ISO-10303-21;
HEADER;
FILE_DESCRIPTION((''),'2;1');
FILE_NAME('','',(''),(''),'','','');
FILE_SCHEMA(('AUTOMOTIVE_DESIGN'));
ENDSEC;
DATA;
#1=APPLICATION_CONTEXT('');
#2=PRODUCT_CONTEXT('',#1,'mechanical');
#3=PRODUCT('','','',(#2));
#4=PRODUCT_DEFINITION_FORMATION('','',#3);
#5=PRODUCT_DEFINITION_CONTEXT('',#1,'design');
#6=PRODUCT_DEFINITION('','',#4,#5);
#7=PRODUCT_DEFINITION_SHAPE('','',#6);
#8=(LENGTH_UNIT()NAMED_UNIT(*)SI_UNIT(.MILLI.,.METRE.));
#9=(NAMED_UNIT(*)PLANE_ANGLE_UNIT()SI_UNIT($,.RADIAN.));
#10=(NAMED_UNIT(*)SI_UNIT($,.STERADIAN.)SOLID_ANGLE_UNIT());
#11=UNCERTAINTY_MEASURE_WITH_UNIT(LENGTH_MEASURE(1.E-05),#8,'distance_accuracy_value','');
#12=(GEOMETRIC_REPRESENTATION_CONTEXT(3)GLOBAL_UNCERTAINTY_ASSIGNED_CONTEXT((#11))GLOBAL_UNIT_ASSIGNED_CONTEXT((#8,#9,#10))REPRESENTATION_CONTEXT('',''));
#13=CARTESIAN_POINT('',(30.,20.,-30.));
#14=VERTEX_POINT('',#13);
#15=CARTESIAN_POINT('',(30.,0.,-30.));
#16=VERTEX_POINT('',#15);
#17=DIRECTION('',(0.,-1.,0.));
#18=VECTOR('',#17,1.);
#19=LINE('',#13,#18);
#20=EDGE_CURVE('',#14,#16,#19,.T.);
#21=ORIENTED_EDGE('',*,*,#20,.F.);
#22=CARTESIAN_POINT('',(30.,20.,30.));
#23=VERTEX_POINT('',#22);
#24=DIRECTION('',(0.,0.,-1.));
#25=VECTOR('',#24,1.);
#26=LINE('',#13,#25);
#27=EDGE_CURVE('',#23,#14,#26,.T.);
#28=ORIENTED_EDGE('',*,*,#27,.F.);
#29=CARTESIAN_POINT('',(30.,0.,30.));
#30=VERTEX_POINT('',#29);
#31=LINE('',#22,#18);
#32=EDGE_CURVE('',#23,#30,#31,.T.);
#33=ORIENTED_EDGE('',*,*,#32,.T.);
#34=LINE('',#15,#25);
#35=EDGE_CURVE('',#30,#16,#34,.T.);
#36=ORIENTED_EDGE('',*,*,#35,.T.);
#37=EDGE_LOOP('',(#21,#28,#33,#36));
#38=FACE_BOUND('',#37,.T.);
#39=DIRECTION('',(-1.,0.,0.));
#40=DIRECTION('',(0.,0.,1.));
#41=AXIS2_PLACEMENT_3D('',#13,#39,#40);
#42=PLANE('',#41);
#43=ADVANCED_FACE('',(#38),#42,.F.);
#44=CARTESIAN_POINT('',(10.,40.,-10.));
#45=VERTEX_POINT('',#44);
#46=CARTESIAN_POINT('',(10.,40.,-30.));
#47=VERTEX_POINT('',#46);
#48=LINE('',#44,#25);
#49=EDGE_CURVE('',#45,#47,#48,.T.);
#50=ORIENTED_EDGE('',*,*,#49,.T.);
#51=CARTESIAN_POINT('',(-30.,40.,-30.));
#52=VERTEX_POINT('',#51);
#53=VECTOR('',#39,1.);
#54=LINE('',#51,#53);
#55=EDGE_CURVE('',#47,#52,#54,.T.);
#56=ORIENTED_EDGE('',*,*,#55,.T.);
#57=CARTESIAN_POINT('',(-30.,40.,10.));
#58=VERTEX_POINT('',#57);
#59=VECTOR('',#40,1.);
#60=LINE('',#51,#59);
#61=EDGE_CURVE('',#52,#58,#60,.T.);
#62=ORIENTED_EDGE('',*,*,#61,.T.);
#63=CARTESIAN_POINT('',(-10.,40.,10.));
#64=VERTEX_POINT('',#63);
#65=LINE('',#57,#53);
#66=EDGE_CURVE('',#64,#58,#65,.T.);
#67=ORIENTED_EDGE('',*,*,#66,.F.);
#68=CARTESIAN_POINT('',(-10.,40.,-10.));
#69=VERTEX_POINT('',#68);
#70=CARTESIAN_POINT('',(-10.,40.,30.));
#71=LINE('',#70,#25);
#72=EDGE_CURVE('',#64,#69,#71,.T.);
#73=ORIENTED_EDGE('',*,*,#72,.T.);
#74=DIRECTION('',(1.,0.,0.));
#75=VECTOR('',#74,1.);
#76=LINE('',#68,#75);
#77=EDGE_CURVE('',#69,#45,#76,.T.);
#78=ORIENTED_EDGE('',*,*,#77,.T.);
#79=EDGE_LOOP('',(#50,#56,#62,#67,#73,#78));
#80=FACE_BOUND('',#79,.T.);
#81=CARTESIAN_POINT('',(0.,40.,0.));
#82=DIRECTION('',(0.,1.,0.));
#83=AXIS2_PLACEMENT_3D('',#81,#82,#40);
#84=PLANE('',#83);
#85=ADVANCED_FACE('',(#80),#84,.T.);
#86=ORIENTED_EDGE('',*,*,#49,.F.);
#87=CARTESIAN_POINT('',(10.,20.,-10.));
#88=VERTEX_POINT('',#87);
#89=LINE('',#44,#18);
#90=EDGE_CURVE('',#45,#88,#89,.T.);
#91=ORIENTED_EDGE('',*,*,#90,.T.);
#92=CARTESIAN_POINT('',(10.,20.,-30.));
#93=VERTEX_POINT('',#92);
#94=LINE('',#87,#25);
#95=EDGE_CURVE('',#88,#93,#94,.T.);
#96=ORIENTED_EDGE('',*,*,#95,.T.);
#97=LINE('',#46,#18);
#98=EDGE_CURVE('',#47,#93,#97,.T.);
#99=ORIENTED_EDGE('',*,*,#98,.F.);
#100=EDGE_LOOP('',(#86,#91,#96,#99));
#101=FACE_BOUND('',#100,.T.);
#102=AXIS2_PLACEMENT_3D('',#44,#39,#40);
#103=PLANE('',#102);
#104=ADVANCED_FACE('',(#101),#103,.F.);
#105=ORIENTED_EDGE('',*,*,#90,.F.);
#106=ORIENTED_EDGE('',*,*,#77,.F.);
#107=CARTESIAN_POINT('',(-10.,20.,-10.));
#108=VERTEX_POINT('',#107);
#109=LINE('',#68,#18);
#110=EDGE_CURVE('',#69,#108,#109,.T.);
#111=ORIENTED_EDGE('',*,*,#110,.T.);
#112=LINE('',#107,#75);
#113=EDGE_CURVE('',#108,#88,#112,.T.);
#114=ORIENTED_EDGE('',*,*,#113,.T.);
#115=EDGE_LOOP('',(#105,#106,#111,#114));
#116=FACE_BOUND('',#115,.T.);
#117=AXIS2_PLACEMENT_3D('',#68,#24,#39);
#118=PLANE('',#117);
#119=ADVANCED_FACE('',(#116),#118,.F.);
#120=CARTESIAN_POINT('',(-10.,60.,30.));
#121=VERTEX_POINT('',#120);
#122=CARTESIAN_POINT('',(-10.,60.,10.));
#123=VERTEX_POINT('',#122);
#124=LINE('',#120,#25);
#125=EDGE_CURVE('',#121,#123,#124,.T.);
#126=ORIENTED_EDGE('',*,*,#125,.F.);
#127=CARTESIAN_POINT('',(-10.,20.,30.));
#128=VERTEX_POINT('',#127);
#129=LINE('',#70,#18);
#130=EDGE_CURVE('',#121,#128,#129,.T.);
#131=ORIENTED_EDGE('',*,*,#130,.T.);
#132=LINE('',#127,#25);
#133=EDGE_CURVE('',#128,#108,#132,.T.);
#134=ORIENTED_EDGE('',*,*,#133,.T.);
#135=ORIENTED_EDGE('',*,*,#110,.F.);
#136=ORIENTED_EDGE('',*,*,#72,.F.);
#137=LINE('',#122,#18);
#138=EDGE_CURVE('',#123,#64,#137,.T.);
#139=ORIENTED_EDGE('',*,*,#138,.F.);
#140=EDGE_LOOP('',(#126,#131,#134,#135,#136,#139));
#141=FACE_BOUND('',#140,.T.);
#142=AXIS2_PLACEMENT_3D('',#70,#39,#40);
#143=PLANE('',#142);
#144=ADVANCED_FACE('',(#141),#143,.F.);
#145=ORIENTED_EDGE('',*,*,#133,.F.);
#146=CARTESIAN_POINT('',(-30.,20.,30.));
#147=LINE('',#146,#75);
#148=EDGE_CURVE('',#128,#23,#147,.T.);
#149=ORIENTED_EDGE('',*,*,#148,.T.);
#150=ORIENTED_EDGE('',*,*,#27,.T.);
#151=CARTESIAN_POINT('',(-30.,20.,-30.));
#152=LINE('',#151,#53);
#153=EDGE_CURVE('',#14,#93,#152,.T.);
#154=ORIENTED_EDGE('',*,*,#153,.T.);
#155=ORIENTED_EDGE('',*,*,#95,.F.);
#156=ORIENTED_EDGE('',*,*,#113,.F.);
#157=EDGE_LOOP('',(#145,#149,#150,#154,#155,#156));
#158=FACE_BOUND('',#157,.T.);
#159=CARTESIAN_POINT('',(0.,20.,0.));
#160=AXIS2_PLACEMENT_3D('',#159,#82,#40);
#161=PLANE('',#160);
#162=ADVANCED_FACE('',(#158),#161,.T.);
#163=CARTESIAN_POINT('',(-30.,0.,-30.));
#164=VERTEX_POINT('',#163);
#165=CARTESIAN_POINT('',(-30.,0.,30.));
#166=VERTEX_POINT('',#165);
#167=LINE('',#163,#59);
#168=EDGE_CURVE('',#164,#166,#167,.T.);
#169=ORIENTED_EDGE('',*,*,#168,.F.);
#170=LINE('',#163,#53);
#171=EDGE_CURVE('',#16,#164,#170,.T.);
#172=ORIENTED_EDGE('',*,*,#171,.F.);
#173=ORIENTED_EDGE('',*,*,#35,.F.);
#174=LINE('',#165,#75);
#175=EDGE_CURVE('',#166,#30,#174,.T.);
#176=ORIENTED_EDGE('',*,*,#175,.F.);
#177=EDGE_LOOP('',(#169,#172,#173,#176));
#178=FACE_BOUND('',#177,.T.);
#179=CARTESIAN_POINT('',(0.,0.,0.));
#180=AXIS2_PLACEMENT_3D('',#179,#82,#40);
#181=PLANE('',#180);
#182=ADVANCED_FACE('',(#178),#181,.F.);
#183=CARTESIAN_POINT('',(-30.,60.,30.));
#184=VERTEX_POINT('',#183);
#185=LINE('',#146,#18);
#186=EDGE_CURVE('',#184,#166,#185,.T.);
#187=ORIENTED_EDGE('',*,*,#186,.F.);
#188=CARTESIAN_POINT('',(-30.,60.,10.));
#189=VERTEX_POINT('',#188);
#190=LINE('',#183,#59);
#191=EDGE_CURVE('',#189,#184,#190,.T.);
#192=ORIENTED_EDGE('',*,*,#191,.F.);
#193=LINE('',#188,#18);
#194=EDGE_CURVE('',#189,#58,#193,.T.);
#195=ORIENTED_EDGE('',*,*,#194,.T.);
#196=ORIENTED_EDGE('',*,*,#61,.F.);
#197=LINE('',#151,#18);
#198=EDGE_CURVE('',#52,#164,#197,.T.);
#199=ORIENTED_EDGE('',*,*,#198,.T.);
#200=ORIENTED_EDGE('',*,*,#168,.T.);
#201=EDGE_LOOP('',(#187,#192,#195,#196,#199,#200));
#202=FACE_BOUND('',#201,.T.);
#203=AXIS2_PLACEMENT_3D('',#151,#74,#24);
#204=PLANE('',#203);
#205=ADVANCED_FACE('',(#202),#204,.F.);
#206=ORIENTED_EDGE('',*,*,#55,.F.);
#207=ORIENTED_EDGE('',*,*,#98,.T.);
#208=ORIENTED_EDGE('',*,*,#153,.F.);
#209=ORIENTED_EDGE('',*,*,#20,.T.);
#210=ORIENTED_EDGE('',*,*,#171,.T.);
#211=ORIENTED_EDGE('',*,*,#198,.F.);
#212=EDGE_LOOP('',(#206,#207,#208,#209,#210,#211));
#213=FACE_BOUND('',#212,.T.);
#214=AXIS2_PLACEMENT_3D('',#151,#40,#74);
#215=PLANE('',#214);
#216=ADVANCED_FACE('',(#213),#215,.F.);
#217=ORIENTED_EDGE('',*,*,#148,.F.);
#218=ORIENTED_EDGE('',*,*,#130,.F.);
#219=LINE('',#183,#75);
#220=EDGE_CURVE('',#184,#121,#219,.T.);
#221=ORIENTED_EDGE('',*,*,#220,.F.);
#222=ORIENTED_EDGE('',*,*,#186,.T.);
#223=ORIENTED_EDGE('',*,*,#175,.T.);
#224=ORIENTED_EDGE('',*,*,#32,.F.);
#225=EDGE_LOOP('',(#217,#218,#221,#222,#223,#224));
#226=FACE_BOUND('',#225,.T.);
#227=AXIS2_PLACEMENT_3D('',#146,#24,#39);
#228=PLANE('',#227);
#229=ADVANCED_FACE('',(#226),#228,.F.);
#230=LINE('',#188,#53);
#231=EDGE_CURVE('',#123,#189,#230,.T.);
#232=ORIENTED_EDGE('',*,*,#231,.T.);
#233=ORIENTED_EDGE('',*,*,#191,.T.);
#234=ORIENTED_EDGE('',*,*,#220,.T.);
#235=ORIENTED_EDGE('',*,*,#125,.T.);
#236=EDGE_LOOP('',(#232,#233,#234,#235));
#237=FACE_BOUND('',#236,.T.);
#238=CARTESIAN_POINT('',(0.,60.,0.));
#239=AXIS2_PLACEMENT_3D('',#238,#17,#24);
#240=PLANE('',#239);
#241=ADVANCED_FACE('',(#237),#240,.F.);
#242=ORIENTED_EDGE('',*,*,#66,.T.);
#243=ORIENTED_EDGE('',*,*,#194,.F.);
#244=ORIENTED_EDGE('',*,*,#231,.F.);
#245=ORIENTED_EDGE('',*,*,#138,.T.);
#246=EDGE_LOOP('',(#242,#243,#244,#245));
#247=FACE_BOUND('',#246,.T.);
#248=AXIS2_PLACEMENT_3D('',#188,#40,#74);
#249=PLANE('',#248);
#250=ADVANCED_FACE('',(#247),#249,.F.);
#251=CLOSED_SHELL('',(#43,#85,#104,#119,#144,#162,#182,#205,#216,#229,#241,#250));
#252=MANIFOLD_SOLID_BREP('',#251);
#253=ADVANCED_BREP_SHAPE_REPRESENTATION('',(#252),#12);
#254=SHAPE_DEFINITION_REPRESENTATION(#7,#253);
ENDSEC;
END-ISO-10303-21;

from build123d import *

# Parameters (mm, degrees)
CROQUIS1_W              = 60
CROQUIS1_H              = 60
SALIENTE_EXTRUIR1_DEPTH = 20
SALIENTE_EXTRUIR2_DEPTH = 20
CROQUIS3_W              = 20
CROQUIS3_H              = 20
SALIENTE_EXTRUIR3_DEPTH = 20


with BuildPart() as part:
    # Croquis1 → Saliente-Extruir1 (new body)
    with BuildSketch(Plane(origin=(0, 0, 0), x_dir=(1, 0, 0), z_dir=(0, 1, 0))):
        Rectangle(CROQUIS1_W, CROQUIS1_H)
    extrude(amount=SALIENTE_EXTRUIR1_DEPTH)

    # Croquis2 → Saliente-Extruir2 (add)
    with BuildSketch(Plane(origin=(0, 20, 0), x_dir=(1, 0, 0), z_dir=(0, 1, 0))):
        Polygon((-30, -30), (-10, -30), (-10, 10), (10, 10), (10, 30), (-30, 30), align=None)
    extrude(amount=SALIENTE_EXTRUIR2_DEPTH)

    # Croquis3 → Saliente-Extruir3 (add)
    with BuildSketch(Plane(origin=(0, 40, 0), x_dir=(1, 0, 0), z_dir=(0, 1, 0))):
        with Locations((-20, -20)):
            Rectangle(CROQUIS3_W, CROQUIS3_H)
    extrude(amount=SALIENTE_EXTRUIR3_DEPTH)


solid = part.part
